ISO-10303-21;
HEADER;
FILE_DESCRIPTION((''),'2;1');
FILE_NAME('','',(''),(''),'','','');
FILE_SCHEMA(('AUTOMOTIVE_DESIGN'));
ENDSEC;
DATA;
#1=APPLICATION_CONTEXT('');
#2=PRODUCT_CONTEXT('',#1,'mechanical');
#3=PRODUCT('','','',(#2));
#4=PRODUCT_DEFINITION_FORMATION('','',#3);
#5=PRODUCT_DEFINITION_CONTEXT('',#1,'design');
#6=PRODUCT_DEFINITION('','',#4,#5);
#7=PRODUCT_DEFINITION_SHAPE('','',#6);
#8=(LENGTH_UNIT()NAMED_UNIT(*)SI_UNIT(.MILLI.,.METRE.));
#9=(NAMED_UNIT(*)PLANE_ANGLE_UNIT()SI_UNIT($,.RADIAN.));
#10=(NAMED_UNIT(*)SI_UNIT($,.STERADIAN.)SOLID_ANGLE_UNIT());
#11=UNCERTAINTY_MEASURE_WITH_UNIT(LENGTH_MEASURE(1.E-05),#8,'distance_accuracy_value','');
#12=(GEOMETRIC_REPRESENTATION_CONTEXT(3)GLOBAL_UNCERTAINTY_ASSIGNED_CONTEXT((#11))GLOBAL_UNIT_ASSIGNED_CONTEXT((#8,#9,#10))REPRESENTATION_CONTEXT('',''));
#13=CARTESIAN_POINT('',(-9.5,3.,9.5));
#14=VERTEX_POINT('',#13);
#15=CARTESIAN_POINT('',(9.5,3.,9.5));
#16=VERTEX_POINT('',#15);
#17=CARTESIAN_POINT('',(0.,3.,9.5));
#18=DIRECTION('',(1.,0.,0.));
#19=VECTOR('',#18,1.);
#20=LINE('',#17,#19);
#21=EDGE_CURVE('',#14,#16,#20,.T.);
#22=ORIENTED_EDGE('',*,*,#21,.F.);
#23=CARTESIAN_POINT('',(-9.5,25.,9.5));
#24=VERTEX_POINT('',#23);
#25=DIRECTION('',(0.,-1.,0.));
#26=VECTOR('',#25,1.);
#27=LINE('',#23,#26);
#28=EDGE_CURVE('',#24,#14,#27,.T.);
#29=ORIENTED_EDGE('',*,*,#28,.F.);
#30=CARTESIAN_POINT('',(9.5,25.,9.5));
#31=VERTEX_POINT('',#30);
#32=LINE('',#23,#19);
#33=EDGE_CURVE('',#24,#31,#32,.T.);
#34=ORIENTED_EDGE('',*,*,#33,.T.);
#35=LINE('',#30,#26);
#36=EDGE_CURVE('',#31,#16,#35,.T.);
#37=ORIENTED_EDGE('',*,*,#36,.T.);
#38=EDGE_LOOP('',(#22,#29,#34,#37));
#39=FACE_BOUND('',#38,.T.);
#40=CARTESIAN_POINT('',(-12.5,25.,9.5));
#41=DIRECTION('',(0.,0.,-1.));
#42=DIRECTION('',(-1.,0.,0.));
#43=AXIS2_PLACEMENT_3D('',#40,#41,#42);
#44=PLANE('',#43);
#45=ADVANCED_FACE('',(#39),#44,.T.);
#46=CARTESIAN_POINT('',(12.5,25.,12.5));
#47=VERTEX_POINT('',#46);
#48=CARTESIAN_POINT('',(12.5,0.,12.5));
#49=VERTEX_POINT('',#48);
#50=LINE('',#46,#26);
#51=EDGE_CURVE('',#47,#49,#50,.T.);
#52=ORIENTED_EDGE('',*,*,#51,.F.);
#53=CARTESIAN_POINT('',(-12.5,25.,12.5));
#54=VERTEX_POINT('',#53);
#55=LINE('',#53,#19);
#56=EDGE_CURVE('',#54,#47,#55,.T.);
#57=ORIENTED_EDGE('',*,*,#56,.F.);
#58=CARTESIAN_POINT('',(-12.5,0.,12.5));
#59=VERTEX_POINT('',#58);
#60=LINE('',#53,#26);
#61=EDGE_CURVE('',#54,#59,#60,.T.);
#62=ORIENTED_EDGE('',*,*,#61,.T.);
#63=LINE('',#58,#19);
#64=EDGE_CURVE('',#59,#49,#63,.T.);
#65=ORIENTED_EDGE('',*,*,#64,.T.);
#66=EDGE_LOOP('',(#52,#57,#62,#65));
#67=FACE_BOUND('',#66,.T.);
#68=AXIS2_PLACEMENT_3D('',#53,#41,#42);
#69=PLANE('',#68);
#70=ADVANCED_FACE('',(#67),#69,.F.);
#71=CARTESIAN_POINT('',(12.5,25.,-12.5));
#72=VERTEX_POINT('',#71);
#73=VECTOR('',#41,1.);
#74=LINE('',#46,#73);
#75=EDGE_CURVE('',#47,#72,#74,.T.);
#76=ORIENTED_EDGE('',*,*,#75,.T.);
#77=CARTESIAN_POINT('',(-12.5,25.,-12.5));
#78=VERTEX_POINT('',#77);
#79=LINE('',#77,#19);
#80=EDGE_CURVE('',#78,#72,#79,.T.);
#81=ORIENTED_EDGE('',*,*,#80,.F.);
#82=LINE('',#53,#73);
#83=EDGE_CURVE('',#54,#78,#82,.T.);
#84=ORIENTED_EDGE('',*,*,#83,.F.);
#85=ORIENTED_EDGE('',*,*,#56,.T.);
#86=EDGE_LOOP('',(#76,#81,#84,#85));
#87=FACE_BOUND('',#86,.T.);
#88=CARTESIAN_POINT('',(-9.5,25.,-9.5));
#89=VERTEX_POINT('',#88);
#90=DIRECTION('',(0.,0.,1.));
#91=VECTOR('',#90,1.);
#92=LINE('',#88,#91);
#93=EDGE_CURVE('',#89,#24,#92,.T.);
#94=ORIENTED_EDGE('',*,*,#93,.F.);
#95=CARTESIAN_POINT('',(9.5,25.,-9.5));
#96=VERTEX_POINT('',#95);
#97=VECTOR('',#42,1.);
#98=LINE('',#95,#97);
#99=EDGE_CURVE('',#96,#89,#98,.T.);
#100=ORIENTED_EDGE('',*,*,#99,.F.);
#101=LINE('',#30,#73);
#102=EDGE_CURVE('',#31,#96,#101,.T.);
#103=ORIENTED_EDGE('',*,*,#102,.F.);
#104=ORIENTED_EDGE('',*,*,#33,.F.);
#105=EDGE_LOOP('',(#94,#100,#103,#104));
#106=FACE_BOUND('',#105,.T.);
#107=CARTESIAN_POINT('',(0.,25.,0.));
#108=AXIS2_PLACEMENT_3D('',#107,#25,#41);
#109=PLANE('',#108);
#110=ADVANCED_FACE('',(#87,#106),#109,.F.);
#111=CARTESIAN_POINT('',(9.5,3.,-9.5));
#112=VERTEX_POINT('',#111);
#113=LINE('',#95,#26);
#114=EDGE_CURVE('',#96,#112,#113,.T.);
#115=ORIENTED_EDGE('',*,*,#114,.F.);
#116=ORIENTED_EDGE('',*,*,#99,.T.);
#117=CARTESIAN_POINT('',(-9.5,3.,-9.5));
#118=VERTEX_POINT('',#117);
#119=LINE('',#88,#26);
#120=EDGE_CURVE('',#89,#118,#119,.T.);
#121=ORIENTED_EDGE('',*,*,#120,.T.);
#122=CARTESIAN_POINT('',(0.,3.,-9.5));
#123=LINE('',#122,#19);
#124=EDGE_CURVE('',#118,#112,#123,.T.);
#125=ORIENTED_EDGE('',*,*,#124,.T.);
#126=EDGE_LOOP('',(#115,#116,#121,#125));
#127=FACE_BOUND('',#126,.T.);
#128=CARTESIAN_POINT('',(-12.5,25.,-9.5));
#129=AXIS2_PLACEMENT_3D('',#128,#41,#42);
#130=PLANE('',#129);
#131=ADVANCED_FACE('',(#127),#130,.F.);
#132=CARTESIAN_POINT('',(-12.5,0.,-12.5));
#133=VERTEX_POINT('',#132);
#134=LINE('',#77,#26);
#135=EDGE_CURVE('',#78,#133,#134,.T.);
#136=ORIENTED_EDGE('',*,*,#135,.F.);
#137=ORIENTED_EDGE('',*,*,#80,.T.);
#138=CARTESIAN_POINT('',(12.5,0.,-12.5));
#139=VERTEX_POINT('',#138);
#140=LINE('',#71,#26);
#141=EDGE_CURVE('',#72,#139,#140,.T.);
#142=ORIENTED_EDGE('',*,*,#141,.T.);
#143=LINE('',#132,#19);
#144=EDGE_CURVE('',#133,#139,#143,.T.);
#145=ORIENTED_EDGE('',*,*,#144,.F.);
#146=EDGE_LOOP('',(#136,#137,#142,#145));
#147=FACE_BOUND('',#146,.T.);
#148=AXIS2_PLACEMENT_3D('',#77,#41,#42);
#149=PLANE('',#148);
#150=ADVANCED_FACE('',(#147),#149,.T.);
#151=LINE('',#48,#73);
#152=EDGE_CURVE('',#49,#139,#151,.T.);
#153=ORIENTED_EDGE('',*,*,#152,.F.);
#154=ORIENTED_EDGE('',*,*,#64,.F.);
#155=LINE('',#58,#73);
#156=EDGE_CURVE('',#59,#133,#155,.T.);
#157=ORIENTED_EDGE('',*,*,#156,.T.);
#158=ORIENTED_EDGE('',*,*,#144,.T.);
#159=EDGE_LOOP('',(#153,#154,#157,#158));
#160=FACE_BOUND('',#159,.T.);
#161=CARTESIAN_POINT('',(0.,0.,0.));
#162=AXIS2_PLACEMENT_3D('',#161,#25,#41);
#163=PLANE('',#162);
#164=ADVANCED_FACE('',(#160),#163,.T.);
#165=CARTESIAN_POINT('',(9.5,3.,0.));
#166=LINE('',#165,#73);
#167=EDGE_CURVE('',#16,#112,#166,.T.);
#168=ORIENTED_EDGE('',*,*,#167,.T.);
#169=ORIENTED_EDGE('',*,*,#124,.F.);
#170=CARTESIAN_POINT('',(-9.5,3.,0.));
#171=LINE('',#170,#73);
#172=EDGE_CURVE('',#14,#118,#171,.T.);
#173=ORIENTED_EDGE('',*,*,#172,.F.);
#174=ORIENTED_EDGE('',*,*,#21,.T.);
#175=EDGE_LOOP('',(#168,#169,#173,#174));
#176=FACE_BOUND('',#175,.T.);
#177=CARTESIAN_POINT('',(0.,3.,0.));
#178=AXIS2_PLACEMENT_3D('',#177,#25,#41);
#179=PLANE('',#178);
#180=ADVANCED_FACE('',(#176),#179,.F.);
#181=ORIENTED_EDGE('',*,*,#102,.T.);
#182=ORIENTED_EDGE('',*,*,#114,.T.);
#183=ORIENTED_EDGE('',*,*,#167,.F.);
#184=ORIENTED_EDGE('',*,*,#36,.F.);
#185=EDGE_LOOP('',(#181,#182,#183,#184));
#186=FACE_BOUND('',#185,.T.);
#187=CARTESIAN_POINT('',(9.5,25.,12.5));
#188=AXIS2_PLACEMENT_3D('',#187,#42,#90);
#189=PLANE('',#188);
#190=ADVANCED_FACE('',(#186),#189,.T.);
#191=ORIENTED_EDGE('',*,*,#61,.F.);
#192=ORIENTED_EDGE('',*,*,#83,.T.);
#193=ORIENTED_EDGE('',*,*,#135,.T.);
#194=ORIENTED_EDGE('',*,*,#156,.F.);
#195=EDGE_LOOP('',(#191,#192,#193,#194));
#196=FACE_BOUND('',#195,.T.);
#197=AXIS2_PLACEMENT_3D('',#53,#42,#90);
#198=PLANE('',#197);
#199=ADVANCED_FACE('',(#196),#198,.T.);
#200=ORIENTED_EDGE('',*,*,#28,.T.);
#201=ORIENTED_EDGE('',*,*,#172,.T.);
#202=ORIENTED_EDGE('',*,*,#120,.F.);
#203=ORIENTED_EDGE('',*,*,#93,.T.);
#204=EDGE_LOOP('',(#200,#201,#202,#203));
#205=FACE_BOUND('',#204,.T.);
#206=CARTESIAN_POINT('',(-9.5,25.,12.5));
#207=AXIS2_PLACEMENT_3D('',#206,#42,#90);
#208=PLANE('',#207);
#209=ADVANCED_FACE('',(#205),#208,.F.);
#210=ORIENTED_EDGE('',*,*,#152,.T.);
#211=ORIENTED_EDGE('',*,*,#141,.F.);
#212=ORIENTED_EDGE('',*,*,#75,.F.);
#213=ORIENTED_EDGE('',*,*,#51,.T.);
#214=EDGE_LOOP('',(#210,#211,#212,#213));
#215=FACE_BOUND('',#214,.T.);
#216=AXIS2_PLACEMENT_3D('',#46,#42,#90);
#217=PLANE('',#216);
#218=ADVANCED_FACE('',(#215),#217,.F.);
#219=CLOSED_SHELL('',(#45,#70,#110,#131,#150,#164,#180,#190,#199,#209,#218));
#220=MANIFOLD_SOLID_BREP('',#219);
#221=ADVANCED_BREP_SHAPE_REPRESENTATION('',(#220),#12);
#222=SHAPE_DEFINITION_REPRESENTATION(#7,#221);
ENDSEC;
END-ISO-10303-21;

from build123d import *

# Parameters (mm, degrees)
SKETCH1_W           = 25
SKETCH1_H           = 25
BOSS_EXTRUDE1_DEPTH = 25
SHELL1_T            = 3
SKETCH3_W           = 19
SKETCH3_H           = 19
CUT_EXTRUDE2_DEPTH  = 17


with BuildPart() as part:
    # Sketch1 → Boss-Extrude1 (new body)
    with BuildSketch(Plane(origin=(0, 0, 0), x_dir=(1, 0, 0), z_dir=(0, 1, 0))):
        Rectangle(SKETCH1_W, SKETCH1_H)
    extrude(amount=BOSS_EXTRUDE1_DEPTH)

    # Shell1 (no face opened: a closed hollow body)
    add(offset(amount=-SHELL1_T, mode=Mode.PRIVATE), mode=Mode.SUBTRACT)

    # Sketch3 → Cut-Extrude2 (cut)
    with BuildSketch(Plane(origin=(0, 25, 0), x_dir=(1, 0, 0), z_dir=(0, 1, 0))):
        Rectangle(SKETCH3_W, SKETCH3_H)
    extrude(amount=-CUT_EXTRUDE2_DEPTH, mode=Mode.SUBTRACT)


solid = part.part
